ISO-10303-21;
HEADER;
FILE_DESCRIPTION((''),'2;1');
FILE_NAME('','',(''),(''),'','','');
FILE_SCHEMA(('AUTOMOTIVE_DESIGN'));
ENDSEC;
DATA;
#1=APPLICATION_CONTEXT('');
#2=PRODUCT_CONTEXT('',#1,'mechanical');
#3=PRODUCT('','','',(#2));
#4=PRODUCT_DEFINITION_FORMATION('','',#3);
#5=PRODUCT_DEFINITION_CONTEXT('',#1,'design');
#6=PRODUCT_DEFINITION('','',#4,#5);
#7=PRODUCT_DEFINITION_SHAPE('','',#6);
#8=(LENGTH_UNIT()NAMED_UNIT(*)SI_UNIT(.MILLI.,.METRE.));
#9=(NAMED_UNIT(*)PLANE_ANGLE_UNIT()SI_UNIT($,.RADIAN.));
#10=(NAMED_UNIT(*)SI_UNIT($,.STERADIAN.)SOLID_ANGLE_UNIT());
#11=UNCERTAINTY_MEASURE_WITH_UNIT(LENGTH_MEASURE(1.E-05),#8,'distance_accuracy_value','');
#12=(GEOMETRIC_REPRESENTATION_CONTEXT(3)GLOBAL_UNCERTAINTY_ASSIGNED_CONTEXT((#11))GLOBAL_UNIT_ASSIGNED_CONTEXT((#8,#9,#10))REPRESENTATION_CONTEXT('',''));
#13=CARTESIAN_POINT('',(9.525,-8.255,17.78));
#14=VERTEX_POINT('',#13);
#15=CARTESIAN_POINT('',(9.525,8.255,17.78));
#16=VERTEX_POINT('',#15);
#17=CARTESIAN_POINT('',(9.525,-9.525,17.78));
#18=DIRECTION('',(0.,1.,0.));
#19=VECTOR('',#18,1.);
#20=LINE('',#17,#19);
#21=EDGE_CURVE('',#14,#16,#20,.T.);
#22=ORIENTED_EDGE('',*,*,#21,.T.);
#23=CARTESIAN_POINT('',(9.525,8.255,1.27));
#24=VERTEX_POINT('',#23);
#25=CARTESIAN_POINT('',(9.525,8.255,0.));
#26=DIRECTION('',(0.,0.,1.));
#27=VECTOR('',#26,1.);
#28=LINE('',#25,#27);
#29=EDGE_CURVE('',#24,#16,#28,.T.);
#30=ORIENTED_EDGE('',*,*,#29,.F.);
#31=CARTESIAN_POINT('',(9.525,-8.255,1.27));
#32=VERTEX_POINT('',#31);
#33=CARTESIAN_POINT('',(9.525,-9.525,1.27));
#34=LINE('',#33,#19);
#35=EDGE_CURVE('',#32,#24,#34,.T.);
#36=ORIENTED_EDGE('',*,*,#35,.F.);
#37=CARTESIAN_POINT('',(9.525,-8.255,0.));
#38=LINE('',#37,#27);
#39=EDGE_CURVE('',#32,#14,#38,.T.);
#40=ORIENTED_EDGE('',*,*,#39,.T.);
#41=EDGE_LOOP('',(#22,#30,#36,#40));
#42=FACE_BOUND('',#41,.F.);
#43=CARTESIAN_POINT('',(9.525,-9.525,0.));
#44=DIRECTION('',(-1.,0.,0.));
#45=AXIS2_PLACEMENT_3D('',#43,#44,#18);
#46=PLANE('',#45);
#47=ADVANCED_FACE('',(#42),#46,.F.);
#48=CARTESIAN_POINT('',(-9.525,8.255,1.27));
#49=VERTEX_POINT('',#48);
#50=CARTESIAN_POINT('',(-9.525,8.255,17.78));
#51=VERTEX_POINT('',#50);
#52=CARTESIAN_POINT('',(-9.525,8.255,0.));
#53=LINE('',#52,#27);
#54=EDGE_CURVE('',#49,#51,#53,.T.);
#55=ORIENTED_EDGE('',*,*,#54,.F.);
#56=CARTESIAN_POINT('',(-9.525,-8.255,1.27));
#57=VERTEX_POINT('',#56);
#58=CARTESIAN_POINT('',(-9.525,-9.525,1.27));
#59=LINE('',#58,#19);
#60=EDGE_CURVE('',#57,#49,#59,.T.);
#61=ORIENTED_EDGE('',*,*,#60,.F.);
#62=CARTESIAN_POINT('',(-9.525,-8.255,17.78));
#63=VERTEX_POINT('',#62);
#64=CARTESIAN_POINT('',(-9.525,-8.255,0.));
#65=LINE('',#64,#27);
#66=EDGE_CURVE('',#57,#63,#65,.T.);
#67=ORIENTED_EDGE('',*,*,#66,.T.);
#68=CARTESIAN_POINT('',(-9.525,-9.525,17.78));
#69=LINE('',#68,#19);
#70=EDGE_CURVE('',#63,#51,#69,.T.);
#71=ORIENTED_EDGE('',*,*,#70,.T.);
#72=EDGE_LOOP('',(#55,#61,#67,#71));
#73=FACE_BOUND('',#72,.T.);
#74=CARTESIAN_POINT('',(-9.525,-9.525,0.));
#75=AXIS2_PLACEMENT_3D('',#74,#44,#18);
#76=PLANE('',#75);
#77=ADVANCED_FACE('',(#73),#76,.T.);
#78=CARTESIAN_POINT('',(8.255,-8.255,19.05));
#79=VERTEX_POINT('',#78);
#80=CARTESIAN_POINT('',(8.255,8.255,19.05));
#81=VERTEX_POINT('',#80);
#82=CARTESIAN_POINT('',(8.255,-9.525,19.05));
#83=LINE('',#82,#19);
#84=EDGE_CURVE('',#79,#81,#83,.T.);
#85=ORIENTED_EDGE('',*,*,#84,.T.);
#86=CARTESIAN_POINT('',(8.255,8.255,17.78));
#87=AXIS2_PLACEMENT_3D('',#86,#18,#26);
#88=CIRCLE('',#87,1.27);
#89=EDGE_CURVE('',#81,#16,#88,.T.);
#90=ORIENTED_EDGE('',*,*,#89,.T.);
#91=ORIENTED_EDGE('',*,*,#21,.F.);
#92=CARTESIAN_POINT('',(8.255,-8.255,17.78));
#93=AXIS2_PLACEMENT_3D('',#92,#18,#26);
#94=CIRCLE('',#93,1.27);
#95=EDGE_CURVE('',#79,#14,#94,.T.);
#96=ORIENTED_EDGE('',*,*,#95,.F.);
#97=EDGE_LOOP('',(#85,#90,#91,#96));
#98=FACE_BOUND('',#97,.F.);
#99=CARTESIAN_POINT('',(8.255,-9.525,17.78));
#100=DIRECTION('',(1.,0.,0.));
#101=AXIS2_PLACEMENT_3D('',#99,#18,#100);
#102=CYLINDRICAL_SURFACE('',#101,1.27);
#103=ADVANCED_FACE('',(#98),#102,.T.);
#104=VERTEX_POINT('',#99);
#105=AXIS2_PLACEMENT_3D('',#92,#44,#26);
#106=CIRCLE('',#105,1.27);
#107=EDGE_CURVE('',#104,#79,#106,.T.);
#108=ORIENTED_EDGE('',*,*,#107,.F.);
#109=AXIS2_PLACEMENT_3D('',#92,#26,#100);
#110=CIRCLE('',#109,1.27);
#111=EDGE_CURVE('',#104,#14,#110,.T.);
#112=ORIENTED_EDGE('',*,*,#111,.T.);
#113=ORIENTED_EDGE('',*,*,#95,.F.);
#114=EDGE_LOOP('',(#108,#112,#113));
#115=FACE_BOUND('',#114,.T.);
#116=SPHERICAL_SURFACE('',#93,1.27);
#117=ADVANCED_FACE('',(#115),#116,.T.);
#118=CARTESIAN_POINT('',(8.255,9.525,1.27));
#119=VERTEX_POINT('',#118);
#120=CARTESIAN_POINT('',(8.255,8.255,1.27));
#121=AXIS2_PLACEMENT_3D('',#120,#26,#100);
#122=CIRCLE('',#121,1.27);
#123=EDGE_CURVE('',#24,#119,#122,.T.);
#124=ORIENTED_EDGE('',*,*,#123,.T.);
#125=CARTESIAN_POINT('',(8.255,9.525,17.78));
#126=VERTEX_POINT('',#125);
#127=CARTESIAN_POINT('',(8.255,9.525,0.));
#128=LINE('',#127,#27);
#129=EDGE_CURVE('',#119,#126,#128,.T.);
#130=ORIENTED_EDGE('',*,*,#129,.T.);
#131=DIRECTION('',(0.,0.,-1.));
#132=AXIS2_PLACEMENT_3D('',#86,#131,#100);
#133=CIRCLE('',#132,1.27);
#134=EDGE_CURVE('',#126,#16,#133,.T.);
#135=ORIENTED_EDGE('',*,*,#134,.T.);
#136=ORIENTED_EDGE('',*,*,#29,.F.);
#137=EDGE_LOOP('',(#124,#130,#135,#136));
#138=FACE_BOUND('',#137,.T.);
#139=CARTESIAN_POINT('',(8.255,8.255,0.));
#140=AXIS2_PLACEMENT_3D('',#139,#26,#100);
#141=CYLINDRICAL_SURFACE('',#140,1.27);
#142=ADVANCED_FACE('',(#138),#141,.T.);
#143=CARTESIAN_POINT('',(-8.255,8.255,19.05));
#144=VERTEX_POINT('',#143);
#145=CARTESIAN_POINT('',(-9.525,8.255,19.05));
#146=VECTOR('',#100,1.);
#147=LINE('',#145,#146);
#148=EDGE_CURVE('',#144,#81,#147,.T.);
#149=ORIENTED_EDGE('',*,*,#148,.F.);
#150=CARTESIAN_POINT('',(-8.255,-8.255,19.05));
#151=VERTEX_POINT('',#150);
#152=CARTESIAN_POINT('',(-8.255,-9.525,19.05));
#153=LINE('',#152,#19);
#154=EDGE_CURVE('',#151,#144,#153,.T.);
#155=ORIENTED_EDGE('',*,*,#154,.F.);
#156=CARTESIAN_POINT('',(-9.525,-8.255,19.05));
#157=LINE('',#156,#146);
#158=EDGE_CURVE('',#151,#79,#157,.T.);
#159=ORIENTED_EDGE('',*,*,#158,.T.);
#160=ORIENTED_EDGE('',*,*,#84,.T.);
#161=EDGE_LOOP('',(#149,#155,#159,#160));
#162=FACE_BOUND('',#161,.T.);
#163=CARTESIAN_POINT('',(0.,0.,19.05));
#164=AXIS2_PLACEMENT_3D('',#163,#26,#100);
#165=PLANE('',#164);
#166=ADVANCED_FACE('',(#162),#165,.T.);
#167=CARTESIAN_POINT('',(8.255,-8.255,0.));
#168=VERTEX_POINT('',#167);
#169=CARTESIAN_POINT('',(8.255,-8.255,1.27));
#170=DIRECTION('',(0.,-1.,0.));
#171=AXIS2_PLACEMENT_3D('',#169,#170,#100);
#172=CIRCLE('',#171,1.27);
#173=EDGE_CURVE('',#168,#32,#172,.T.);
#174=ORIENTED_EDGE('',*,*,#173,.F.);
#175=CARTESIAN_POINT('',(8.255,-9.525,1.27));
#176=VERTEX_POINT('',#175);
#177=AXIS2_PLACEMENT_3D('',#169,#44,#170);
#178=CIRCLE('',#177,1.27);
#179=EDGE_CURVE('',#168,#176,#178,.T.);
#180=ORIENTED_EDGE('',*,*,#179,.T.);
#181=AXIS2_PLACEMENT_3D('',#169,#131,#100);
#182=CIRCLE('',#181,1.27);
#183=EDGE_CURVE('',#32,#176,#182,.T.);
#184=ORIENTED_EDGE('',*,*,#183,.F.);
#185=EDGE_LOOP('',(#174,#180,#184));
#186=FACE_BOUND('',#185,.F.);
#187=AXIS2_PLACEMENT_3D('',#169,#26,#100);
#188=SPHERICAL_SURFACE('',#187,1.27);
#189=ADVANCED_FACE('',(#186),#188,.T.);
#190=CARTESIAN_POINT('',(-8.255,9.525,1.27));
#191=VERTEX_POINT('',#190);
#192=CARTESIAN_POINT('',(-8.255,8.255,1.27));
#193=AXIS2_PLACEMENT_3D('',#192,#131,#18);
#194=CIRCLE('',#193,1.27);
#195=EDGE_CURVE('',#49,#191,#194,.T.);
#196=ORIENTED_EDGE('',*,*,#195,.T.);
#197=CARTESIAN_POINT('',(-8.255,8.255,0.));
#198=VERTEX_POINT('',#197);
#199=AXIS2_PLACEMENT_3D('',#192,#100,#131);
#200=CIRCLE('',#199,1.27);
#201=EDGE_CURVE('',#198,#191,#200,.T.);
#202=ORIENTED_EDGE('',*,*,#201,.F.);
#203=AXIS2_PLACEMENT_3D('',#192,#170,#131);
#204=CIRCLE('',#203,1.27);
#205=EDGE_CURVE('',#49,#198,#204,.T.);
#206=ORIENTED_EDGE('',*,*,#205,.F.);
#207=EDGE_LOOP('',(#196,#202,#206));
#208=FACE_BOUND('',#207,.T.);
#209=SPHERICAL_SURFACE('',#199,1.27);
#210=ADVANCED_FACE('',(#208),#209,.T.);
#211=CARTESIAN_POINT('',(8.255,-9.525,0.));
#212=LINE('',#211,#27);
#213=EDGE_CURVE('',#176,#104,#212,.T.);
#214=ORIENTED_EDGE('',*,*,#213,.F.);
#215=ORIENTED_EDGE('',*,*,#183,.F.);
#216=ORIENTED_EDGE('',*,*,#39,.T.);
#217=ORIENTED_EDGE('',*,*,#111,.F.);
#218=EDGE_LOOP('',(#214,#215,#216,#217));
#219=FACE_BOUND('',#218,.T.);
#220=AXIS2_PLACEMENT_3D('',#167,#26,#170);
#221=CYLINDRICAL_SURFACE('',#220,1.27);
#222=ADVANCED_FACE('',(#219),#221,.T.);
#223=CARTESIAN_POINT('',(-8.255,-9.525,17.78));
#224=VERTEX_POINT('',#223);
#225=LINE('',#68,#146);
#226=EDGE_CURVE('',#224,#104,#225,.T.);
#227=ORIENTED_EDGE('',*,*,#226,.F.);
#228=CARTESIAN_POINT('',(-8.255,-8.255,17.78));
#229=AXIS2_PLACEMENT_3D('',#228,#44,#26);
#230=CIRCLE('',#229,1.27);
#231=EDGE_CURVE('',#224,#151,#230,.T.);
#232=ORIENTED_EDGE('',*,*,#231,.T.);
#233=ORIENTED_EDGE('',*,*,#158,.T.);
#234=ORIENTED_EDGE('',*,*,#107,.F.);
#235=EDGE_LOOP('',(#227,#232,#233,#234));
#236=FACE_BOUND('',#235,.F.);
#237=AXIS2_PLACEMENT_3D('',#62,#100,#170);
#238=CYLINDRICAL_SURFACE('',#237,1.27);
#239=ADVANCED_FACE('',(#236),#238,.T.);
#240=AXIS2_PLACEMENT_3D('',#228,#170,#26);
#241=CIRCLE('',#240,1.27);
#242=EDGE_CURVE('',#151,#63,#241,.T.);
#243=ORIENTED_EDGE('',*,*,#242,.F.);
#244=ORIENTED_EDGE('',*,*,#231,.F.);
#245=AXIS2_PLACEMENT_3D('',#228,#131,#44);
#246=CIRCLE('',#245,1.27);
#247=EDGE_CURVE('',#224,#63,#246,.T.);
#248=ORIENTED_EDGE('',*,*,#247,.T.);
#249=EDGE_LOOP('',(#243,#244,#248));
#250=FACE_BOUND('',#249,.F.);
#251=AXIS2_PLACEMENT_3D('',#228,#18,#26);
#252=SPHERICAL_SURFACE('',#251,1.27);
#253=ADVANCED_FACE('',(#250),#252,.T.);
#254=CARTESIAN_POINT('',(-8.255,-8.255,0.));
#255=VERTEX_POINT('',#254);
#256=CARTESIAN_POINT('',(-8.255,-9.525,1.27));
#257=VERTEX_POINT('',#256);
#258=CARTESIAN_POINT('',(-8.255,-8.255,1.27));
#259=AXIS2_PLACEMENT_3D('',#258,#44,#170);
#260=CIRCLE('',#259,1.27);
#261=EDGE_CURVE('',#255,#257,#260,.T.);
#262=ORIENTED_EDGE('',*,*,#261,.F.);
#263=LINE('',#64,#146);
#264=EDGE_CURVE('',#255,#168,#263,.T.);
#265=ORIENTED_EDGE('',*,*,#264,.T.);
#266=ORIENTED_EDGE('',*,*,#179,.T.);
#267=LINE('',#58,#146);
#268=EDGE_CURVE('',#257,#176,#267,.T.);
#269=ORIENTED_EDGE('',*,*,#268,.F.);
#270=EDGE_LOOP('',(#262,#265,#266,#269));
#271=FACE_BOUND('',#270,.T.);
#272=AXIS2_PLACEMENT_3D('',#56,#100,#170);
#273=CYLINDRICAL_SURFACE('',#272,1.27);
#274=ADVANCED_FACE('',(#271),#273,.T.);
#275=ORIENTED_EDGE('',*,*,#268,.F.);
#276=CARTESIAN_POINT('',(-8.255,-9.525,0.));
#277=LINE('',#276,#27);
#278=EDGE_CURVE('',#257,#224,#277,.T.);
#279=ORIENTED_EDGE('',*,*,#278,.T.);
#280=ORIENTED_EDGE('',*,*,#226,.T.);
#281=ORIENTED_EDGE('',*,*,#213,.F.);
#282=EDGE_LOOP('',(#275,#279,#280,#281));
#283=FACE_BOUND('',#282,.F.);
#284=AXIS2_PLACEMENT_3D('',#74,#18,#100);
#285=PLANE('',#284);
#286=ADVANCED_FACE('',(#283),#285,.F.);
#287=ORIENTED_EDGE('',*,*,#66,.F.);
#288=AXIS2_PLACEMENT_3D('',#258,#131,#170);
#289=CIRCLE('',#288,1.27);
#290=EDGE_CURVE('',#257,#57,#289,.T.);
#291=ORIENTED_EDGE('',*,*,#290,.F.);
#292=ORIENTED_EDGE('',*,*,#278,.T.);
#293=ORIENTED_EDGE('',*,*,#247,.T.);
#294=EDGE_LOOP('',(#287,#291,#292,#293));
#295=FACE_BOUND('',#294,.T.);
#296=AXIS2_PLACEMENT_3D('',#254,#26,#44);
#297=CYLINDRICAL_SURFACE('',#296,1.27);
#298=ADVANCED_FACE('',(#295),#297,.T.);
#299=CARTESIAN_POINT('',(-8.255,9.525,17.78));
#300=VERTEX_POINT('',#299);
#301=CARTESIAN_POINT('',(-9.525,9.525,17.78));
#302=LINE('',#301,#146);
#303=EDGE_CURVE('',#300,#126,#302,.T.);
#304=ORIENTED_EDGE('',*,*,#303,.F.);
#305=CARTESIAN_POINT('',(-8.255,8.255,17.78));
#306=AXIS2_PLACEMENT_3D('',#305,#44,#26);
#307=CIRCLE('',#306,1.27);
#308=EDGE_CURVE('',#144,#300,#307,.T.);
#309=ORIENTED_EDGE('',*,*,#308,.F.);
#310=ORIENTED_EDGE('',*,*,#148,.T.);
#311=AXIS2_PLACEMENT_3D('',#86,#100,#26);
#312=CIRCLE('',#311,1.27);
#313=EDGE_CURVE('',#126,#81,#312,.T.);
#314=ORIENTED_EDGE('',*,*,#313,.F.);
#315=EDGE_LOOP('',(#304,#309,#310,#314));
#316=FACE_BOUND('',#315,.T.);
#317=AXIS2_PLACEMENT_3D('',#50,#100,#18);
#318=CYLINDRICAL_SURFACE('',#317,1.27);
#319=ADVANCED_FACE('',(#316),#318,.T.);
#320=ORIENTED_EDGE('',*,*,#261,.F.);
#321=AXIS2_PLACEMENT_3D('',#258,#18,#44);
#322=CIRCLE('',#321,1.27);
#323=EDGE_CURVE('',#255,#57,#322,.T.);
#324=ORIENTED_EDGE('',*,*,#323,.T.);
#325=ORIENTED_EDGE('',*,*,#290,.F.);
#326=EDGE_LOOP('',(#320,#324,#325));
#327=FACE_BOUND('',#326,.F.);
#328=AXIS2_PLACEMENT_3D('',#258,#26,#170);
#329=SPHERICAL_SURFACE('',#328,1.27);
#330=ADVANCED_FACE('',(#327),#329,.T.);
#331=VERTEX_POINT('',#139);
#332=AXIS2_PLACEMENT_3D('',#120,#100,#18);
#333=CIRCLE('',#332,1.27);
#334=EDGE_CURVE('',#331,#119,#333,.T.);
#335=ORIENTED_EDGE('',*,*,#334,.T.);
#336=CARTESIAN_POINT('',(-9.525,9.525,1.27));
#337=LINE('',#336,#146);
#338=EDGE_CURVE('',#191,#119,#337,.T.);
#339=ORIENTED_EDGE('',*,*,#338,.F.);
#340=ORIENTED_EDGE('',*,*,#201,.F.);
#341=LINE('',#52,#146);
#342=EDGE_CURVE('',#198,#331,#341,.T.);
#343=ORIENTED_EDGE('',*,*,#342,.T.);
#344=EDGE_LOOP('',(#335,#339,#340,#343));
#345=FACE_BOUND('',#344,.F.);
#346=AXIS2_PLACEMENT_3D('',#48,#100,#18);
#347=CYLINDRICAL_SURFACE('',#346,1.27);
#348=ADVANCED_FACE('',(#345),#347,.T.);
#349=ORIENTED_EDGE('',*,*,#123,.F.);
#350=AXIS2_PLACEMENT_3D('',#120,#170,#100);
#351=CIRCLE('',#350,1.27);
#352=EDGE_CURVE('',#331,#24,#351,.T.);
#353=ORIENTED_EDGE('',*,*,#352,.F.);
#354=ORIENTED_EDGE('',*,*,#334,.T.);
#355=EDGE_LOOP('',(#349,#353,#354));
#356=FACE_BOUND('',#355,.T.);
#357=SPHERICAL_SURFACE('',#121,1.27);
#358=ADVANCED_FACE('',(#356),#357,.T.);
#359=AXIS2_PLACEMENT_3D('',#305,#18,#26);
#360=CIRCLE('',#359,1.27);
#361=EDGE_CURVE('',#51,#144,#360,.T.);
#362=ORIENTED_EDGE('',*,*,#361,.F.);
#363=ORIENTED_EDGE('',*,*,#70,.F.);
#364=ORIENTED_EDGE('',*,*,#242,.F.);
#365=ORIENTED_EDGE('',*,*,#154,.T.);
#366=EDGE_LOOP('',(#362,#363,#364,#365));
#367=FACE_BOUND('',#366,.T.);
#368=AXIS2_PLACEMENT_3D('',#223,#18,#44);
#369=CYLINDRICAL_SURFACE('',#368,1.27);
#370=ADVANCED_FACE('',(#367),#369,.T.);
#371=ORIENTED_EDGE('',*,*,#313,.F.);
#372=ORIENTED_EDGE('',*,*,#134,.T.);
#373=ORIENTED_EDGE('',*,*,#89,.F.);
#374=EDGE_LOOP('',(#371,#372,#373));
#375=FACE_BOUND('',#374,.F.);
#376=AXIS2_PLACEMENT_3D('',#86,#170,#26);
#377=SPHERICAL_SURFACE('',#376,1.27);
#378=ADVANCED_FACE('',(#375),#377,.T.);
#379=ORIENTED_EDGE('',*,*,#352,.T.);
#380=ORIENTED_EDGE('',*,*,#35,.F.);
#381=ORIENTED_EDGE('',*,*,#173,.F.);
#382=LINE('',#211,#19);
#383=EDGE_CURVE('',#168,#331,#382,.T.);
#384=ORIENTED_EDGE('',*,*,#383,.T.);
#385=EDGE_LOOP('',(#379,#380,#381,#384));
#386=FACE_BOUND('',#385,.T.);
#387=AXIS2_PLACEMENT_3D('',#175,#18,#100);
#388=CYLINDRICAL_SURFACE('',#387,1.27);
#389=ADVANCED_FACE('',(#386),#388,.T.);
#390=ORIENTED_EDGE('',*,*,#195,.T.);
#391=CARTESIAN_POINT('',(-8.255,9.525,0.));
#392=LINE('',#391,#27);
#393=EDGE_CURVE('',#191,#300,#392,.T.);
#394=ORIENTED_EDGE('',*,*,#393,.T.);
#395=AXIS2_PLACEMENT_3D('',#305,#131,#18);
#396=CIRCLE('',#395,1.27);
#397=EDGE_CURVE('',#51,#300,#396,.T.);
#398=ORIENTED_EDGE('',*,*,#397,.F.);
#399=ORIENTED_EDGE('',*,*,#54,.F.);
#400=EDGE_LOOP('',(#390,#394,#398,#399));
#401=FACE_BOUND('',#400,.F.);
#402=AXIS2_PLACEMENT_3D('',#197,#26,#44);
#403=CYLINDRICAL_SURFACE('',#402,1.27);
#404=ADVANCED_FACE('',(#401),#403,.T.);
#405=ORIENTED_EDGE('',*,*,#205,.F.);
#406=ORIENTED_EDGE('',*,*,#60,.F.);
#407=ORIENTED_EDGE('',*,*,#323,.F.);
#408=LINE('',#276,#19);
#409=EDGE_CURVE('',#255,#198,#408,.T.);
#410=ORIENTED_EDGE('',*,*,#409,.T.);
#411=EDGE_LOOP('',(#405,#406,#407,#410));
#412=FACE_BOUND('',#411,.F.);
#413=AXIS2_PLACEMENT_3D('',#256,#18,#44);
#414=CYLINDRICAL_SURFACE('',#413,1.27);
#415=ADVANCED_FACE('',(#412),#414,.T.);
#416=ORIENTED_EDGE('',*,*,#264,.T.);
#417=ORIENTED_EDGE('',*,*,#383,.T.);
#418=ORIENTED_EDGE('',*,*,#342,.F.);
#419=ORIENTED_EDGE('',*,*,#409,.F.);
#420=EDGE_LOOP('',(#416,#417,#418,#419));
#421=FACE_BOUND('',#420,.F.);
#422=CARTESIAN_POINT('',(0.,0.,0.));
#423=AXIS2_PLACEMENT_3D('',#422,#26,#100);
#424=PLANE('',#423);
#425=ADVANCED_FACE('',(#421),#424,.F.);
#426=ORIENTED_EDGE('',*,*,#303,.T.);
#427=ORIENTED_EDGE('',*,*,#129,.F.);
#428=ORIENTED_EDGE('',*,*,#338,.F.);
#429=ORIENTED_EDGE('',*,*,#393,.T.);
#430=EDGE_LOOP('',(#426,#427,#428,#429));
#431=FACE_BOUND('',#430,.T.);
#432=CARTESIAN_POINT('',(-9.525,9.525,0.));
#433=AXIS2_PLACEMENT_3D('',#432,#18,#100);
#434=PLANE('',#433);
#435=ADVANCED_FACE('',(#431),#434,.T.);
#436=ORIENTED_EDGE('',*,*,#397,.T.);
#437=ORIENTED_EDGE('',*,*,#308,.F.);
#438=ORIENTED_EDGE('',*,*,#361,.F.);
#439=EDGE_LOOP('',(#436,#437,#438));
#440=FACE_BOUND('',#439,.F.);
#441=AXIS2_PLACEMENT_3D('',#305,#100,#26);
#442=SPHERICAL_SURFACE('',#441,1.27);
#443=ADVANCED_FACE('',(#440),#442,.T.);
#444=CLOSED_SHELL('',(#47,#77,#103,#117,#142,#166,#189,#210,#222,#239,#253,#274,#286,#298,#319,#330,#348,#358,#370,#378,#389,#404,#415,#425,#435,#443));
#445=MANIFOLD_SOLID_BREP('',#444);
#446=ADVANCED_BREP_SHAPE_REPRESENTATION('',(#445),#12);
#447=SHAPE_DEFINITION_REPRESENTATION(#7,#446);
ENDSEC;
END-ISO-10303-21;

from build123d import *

# Parameters (mm, degrees)
F0_W     = 19.05
F0_H     = 19.05
F1_DEPTH = 19.05
F2_R     = 1.27


with BuildPart() as f1:
    # F0 (on Top) → F1 (new body)
    with BuildSketch(Plane.XY):
        Rectangle(F0_W, F0_H)
    extrude(amount=F1_DEPTH)

    # F2
    f2_edges = [f1.edges().sort_by_distance(p)[0] for p in [
        (9.525, 0, 19.05),
        (0, 9.525, 19.05),
        (-9.525, 0, 19.05),
        (0, -9.525, 19.05),
        (9.525, -9.525, 9.525),
        (9.525, 9.525, 9.525),
        (9.525, 0, 0),
        (-9.525, -9.525, 9.525),
        (0, -9.525, 0),
        (0, 9.525, 0),
        (-9.525, 0, 0),
        (-9.525, 9.525, 9.525),
    ]]
    fillet(f2_edges, radius=F2_R)


solid = f1.part
